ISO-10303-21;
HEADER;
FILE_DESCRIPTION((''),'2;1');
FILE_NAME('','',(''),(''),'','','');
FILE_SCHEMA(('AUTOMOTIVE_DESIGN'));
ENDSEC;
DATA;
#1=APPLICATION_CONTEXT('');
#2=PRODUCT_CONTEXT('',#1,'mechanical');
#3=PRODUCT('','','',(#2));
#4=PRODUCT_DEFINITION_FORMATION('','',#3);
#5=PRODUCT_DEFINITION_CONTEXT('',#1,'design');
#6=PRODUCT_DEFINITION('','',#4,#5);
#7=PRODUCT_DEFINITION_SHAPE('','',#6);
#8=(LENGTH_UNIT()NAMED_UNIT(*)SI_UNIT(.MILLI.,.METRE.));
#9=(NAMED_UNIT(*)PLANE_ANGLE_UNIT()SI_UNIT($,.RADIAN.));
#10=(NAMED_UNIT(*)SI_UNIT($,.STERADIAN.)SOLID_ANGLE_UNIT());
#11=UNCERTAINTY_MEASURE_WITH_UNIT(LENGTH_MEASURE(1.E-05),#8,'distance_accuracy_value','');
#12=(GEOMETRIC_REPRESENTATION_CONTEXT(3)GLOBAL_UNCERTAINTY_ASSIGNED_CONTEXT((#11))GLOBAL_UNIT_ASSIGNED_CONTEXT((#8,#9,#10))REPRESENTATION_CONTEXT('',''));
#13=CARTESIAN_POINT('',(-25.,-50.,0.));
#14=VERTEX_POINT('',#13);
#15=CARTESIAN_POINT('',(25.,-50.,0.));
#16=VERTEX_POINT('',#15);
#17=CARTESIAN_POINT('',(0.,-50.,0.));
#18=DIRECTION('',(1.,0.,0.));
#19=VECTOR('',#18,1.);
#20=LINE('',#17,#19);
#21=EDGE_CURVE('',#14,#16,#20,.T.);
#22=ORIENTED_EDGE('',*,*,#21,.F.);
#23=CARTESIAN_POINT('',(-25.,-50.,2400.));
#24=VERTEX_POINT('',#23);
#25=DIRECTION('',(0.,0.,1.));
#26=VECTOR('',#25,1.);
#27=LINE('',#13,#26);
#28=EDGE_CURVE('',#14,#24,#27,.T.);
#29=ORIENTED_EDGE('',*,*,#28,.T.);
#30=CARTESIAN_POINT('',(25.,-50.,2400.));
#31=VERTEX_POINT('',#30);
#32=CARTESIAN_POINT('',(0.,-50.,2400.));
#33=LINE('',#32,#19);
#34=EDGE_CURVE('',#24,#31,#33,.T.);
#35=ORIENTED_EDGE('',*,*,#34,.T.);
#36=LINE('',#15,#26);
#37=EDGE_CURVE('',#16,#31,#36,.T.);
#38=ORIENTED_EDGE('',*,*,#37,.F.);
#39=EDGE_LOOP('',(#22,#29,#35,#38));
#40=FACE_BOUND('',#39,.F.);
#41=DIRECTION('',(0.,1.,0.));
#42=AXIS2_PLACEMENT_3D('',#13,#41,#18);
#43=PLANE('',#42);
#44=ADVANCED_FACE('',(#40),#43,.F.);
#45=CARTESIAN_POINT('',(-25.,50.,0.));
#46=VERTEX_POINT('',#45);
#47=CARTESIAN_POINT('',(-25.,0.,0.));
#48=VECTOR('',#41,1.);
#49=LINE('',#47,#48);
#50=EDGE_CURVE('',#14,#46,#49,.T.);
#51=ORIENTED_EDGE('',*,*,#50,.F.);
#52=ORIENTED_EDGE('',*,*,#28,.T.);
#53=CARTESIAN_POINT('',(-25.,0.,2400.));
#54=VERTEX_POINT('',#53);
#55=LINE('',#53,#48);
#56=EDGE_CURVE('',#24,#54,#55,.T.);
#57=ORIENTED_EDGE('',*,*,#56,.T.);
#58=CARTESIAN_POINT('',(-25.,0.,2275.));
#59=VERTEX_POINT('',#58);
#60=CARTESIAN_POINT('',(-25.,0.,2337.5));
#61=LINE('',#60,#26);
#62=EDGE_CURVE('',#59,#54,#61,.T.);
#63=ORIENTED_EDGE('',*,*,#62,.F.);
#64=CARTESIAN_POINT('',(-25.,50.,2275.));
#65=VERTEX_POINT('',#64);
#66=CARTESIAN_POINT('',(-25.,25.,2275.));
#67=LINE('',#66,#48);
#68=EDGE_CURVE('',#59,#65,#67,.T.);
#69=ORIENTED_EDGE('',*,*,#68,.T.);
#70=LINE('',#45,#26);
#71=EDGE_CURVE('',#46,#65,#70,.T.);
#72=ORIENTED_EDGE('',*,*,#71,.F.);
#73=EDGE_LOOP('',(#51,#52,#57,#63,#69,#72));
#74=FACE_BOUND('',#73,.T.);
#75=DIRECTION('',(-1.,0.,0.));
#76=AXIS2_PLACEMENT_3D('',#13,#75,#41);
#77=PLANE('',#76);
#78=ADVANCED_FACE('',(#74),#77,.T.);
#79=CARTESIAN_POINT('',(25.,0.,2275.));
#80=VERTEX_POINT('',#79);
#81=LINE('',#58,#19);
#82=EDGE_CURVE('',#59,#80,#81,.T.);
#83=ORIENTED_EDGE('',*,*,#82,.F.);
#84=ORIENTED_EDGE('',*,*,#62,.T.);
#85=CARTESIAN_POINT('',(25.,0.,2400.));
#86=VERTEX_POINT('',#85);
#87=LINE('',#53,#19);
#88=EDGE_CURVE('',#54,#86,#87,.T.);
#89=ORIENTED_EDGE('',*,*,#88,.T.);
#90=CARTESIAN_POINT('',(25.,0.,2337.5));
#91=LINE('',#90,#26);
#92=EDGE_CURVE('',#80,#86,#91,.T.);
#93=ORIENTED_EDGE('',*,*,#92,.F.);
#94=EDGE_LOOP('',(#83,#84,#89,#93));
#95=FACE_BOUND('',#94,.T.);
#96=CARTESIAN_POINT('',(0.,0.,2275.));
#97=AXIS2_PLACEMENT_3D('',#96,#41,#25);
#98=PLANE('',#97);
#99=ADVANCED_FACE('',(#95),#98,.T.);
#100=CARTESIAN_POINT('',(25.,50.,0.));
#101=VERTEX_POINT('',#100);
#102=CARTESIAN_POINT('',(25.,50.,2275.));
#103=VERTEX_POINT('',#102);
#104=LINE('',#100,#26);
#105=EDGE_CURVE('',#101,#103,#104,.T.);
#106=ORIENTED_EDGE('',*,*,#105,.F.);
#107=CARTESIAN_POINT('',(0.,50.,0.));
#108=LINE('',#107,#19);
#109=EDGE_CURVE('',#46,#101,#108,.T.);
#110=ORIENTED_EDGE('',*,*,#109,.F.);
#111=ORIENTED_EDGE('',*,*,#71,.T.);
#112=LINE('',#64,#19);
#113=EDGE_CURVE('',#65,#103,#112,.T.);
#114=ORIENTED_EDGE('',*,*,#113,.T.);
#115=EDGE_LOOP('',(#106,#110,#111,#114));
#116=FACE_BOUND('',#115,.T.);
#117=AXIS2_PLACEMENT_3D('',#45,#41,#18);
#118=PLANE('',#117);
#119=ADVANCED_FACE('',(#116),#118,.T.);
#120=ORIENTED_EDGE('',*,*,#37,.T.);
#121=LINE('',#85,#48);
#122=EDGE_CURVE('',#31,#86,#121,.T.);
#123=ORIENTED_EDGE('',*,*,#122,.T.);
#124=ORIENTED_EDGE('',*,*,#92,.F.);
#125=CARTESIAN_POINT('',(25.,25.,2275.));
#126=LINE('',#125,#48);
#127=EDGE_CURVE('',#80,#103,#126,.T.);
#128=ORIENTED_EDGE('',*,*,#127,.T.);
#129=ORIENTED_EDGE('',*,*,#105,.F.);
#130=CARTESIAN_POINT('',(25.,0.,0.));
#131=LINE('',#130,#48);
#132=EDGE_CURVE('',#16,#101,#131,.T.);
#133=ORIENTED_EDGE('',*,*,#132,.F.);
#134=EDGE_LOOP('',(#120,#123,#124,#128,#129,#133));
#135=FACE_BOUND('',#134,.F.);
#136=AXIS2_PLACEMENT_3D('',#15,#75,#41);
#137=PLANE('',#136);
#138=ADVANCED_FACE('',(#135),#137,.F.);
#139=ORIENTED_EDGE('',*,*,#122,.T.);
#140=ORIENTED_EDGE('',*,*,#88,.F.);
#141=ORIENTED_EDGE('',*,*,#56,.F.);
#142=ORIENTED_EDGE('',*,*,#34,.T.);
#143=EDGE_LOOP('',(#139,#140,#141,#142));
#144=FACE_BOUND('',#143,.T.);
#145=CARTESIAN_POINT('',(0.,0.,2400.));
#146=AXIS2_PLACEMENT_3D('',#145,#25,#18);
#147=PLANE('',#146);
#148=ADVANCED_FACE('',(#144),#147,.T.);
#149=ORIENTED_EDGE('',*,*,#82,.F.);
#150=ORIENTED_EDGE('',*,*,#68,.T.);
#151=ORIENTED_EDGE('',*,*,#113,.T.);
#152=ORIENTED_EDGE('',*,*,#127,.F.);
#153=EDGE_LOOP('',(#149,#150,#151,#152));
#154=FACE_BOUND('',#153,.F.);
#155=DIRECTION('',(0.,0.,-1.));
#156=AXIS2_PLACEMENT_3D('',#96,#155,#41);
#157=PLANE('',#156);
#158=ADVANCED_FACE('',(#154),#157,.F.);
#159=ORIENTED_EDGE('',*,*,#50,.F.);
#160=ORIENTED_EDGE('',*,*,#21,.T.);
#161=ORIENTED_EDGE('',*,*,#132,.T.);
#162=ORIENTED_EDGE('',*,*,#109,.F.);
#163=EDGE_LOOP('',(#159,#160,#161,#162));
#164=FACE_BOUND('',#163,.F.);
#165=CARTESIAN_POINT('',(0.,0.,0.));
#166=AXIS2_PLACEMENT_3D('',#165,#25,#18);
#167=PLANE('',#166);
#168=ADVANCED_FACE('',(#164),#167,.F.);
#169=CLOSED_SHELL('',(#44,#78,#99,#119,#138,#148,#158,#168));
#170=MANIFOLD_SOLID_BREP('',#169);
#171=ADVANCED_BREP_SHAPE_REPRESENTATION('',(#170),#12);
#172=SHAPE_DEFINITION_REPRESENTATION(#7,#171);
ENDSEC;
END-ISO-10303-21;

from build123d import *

# Parameters (mm, degrees)
F0_W          = 50
F0_H          = 100
F1_DEPTH      = 2400
F2_W          = 50
F2_H          = 125
F3_DEPTH      = 25
F3_DEPTH_BACK = 25


with BuildPart() as f1:
    # F0 (on Top) → F1 (new body)
    with BuildSketch(Plane.XY):
        Rectangle(F0_W, F0_H)
    extrude(amount=F1_DEPTH)

    # F2 (on Right) → F3 (cut, two sides)
    with BuildSketch(Plane.YZ) as f3_sk:
        with Locations((25, 2337.5)):
            Rectangle(F2_W, F2_H)
    extrude(amount=-F3_DEPTH, mode=Mode.SUBTRACT)
    extrude(f3_sk.sketch, amount=F3_DEPTH_BACK, mode=Mode.SUBTRACT)


solid = f1.part
